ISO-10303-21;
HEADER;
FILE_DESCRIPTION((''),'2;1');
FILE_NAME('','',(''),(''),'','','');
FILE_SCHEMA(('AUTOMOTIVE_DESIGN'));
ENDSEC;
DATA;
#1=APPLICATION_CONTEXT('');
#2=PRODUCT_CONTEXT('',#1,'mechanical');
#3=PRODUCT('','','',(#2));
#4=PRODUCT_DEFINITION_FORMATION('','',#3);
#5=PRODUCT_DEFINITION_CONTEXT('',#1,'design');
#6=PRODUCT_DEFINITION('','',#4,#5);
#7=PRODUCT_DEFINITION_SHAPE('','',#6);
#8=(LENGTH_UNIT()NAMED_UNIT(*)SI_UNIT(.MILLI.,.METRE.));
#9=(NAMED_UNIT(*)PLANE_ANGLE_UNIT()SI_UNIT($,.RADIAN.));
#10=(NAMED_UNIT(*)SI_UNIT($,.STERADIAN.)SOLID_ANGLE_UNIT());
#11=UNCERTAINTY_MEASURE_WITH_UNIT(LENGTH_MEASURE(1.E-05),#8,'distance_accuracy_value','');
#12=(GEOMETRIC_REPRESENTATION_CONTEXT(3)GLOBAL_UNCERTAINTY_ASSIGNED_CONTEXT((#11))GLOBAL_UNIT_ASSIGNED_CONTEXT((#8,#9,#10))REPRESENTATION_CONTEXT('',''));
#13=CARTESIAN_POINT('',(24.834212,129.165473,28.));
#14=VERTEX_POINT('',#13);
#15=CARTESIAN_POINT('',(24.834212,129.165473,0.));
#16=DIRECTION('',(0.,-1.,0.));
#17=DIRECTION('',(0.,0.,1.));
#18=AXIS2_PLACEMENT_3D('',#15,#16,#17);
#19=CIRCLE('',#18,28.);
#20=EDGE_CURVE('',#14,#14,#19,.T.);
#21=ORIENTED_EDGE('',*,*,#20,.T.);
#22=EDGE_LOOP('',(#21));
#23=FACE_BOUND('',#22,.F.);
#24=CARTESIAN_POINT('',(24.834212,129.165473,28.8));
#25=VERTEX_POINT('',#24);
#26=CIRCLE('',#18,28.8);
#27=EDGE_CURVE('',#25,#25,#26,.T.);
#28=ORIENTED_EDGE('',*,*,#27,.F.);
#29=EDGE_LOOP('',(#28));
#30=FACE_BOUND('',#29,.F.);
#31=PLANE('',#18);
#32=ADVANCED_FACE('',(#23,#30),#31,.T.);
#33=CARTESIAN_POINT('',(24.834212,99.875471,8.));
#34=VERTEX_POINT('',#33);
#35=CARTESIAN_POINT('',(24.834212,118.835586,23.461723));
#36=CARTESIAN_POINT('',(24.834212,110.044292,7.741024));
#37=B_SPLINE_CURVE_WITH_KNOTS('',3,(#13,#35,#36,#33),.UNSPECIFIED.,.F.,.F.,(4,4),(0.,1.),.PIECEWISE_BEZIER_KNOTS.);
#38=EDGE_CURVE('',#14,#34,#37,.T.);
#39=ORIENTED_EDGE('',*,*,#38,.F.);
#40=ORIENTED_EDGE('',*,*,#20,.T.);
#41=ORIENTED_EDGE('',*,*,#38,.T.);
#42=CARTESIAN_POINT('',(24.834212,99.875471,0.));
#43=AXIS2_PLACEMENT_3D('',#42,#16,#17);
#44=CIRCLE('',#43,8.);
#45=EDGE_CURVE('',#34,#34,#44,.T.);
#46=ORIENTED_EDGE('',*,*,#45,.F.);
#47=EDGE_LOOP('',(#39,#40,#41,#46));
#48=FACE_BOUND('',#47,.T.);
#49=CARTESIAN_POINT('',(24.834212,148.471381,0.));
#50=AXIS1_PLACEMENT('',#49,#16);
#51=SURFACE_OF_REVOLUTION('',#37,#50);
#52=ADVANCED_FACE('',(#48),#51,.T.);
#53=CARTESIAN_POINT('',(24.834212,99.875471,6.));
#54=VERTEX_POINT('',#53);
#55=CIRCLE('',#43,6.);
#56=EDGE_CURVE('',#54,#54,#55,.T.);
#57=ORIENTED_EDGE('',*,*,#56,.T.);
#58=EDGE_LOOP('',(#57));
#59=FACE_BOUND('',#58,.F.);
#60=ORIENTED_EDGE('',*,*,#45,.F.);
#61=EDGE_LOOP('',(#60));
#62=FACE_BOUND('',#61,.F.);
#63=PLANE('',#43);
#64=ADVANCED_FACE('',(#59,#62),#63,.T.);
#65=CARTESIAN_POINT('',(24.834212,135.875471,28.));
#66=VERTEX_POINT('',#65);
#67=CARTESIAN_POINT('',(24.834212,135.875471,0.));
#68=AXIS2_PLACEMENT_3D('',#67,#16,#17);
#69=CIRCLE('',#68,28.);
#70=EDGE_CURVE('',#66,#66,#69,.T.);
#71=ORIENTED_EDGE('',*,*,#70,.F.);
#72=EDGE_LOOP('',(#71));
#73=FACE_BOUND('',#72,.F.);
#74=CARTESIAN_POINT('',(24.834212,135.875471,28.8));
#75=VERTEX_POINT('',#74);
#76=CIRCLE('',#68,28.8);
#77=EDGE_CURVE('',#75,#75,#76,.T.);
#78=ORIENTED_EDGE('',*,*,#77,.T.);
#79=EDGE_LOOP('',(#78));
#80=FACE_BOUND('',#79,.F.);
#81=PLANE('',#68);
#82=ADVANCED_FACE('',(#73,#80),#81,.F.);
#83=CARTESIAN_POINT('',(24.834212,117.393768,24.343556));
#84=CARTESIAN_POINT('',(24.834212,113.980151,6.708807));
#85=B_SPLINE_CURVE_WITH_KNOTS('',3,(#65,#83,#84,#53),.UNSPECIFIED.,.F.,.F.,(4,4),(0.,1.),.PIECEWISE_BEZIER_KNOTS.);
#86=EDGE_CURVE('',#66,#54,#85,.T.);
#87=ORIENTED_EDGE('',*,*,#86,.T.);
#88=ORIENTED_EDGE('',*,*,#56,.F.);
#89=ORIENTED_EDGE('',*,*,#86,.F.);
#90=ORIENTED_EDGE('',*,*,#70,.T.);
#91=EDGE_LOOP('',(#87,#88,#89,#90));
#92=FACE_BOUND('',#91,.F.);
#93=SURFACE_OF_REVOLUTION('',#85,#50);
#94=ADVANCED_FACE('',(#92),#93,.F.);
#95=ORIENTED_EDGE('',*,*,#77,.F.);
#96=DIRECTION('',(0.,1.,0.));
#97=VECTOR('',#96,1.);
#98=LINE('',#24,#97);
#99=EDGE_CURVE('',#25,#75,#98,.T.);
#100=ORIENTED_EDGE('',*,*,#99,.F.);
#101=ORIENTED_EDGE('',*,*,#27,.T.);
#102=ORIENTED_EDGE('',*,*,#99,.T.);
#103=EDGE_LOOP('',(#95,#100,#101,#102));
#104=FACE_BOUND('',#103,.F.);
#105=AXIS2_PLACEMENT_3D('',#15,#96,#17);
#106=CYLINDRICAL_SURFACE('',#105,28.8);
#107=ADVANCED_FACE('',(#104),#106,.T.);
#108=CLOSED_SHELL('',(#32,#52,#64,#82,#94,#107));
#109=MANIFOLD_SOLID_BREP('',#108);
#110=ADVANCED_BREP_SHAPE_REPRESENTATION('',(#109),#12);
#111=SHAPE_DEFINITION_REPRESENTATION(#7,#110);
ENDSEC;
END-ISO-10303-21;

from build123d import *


with BuildPart() as part:
    # Sketch1 → Revolve1 (revolve)
    with BuildSketch(Plane.XY, mode=Mode.PRIVATE) as revolve1_sk:
        with BuildLine():
            Line((18.834212464, 99.875470661), (16.834212464, 99.875470661))
            add(Edge.make_bspline(
                [(-3.165787536, 129.16547318), (1.37248923, 118.835586105), (17.093188402, 110.044292054), (16.834212464, 99.875470661)],
                knots=[0, 0, 0, 0, 1, 1, 1, 1], degree=3))
            Line((-3.165787536, 129.16547318), (-3.965787536, 129.16547318))
            Line((-3.965787536, 129.16547318), (-3.965787536, 135.875470661))
            Line((-3.965787536, 135.875470661), (-3.165787536, 135.875470661))
            add(Edge.make_bspline(
                [(-3.165787536, 135.875470661), (0.490656023, 117.393768165), (18.125405427, 113.98015059), (18.834212464, 99.875470661)],
                knots=[0, 0, 0, 0, 1, 1, 1, 1], degree=3))
        make_face()
    revolve(revolve1_sk.sketch.rotate(Axis((24.834212464, 148.471380655, 0), (0, -1, 0)), 270), axis=Axis((24.834212464, 148.471380655, 0), (0, -1, 0)))


solid = part.part
